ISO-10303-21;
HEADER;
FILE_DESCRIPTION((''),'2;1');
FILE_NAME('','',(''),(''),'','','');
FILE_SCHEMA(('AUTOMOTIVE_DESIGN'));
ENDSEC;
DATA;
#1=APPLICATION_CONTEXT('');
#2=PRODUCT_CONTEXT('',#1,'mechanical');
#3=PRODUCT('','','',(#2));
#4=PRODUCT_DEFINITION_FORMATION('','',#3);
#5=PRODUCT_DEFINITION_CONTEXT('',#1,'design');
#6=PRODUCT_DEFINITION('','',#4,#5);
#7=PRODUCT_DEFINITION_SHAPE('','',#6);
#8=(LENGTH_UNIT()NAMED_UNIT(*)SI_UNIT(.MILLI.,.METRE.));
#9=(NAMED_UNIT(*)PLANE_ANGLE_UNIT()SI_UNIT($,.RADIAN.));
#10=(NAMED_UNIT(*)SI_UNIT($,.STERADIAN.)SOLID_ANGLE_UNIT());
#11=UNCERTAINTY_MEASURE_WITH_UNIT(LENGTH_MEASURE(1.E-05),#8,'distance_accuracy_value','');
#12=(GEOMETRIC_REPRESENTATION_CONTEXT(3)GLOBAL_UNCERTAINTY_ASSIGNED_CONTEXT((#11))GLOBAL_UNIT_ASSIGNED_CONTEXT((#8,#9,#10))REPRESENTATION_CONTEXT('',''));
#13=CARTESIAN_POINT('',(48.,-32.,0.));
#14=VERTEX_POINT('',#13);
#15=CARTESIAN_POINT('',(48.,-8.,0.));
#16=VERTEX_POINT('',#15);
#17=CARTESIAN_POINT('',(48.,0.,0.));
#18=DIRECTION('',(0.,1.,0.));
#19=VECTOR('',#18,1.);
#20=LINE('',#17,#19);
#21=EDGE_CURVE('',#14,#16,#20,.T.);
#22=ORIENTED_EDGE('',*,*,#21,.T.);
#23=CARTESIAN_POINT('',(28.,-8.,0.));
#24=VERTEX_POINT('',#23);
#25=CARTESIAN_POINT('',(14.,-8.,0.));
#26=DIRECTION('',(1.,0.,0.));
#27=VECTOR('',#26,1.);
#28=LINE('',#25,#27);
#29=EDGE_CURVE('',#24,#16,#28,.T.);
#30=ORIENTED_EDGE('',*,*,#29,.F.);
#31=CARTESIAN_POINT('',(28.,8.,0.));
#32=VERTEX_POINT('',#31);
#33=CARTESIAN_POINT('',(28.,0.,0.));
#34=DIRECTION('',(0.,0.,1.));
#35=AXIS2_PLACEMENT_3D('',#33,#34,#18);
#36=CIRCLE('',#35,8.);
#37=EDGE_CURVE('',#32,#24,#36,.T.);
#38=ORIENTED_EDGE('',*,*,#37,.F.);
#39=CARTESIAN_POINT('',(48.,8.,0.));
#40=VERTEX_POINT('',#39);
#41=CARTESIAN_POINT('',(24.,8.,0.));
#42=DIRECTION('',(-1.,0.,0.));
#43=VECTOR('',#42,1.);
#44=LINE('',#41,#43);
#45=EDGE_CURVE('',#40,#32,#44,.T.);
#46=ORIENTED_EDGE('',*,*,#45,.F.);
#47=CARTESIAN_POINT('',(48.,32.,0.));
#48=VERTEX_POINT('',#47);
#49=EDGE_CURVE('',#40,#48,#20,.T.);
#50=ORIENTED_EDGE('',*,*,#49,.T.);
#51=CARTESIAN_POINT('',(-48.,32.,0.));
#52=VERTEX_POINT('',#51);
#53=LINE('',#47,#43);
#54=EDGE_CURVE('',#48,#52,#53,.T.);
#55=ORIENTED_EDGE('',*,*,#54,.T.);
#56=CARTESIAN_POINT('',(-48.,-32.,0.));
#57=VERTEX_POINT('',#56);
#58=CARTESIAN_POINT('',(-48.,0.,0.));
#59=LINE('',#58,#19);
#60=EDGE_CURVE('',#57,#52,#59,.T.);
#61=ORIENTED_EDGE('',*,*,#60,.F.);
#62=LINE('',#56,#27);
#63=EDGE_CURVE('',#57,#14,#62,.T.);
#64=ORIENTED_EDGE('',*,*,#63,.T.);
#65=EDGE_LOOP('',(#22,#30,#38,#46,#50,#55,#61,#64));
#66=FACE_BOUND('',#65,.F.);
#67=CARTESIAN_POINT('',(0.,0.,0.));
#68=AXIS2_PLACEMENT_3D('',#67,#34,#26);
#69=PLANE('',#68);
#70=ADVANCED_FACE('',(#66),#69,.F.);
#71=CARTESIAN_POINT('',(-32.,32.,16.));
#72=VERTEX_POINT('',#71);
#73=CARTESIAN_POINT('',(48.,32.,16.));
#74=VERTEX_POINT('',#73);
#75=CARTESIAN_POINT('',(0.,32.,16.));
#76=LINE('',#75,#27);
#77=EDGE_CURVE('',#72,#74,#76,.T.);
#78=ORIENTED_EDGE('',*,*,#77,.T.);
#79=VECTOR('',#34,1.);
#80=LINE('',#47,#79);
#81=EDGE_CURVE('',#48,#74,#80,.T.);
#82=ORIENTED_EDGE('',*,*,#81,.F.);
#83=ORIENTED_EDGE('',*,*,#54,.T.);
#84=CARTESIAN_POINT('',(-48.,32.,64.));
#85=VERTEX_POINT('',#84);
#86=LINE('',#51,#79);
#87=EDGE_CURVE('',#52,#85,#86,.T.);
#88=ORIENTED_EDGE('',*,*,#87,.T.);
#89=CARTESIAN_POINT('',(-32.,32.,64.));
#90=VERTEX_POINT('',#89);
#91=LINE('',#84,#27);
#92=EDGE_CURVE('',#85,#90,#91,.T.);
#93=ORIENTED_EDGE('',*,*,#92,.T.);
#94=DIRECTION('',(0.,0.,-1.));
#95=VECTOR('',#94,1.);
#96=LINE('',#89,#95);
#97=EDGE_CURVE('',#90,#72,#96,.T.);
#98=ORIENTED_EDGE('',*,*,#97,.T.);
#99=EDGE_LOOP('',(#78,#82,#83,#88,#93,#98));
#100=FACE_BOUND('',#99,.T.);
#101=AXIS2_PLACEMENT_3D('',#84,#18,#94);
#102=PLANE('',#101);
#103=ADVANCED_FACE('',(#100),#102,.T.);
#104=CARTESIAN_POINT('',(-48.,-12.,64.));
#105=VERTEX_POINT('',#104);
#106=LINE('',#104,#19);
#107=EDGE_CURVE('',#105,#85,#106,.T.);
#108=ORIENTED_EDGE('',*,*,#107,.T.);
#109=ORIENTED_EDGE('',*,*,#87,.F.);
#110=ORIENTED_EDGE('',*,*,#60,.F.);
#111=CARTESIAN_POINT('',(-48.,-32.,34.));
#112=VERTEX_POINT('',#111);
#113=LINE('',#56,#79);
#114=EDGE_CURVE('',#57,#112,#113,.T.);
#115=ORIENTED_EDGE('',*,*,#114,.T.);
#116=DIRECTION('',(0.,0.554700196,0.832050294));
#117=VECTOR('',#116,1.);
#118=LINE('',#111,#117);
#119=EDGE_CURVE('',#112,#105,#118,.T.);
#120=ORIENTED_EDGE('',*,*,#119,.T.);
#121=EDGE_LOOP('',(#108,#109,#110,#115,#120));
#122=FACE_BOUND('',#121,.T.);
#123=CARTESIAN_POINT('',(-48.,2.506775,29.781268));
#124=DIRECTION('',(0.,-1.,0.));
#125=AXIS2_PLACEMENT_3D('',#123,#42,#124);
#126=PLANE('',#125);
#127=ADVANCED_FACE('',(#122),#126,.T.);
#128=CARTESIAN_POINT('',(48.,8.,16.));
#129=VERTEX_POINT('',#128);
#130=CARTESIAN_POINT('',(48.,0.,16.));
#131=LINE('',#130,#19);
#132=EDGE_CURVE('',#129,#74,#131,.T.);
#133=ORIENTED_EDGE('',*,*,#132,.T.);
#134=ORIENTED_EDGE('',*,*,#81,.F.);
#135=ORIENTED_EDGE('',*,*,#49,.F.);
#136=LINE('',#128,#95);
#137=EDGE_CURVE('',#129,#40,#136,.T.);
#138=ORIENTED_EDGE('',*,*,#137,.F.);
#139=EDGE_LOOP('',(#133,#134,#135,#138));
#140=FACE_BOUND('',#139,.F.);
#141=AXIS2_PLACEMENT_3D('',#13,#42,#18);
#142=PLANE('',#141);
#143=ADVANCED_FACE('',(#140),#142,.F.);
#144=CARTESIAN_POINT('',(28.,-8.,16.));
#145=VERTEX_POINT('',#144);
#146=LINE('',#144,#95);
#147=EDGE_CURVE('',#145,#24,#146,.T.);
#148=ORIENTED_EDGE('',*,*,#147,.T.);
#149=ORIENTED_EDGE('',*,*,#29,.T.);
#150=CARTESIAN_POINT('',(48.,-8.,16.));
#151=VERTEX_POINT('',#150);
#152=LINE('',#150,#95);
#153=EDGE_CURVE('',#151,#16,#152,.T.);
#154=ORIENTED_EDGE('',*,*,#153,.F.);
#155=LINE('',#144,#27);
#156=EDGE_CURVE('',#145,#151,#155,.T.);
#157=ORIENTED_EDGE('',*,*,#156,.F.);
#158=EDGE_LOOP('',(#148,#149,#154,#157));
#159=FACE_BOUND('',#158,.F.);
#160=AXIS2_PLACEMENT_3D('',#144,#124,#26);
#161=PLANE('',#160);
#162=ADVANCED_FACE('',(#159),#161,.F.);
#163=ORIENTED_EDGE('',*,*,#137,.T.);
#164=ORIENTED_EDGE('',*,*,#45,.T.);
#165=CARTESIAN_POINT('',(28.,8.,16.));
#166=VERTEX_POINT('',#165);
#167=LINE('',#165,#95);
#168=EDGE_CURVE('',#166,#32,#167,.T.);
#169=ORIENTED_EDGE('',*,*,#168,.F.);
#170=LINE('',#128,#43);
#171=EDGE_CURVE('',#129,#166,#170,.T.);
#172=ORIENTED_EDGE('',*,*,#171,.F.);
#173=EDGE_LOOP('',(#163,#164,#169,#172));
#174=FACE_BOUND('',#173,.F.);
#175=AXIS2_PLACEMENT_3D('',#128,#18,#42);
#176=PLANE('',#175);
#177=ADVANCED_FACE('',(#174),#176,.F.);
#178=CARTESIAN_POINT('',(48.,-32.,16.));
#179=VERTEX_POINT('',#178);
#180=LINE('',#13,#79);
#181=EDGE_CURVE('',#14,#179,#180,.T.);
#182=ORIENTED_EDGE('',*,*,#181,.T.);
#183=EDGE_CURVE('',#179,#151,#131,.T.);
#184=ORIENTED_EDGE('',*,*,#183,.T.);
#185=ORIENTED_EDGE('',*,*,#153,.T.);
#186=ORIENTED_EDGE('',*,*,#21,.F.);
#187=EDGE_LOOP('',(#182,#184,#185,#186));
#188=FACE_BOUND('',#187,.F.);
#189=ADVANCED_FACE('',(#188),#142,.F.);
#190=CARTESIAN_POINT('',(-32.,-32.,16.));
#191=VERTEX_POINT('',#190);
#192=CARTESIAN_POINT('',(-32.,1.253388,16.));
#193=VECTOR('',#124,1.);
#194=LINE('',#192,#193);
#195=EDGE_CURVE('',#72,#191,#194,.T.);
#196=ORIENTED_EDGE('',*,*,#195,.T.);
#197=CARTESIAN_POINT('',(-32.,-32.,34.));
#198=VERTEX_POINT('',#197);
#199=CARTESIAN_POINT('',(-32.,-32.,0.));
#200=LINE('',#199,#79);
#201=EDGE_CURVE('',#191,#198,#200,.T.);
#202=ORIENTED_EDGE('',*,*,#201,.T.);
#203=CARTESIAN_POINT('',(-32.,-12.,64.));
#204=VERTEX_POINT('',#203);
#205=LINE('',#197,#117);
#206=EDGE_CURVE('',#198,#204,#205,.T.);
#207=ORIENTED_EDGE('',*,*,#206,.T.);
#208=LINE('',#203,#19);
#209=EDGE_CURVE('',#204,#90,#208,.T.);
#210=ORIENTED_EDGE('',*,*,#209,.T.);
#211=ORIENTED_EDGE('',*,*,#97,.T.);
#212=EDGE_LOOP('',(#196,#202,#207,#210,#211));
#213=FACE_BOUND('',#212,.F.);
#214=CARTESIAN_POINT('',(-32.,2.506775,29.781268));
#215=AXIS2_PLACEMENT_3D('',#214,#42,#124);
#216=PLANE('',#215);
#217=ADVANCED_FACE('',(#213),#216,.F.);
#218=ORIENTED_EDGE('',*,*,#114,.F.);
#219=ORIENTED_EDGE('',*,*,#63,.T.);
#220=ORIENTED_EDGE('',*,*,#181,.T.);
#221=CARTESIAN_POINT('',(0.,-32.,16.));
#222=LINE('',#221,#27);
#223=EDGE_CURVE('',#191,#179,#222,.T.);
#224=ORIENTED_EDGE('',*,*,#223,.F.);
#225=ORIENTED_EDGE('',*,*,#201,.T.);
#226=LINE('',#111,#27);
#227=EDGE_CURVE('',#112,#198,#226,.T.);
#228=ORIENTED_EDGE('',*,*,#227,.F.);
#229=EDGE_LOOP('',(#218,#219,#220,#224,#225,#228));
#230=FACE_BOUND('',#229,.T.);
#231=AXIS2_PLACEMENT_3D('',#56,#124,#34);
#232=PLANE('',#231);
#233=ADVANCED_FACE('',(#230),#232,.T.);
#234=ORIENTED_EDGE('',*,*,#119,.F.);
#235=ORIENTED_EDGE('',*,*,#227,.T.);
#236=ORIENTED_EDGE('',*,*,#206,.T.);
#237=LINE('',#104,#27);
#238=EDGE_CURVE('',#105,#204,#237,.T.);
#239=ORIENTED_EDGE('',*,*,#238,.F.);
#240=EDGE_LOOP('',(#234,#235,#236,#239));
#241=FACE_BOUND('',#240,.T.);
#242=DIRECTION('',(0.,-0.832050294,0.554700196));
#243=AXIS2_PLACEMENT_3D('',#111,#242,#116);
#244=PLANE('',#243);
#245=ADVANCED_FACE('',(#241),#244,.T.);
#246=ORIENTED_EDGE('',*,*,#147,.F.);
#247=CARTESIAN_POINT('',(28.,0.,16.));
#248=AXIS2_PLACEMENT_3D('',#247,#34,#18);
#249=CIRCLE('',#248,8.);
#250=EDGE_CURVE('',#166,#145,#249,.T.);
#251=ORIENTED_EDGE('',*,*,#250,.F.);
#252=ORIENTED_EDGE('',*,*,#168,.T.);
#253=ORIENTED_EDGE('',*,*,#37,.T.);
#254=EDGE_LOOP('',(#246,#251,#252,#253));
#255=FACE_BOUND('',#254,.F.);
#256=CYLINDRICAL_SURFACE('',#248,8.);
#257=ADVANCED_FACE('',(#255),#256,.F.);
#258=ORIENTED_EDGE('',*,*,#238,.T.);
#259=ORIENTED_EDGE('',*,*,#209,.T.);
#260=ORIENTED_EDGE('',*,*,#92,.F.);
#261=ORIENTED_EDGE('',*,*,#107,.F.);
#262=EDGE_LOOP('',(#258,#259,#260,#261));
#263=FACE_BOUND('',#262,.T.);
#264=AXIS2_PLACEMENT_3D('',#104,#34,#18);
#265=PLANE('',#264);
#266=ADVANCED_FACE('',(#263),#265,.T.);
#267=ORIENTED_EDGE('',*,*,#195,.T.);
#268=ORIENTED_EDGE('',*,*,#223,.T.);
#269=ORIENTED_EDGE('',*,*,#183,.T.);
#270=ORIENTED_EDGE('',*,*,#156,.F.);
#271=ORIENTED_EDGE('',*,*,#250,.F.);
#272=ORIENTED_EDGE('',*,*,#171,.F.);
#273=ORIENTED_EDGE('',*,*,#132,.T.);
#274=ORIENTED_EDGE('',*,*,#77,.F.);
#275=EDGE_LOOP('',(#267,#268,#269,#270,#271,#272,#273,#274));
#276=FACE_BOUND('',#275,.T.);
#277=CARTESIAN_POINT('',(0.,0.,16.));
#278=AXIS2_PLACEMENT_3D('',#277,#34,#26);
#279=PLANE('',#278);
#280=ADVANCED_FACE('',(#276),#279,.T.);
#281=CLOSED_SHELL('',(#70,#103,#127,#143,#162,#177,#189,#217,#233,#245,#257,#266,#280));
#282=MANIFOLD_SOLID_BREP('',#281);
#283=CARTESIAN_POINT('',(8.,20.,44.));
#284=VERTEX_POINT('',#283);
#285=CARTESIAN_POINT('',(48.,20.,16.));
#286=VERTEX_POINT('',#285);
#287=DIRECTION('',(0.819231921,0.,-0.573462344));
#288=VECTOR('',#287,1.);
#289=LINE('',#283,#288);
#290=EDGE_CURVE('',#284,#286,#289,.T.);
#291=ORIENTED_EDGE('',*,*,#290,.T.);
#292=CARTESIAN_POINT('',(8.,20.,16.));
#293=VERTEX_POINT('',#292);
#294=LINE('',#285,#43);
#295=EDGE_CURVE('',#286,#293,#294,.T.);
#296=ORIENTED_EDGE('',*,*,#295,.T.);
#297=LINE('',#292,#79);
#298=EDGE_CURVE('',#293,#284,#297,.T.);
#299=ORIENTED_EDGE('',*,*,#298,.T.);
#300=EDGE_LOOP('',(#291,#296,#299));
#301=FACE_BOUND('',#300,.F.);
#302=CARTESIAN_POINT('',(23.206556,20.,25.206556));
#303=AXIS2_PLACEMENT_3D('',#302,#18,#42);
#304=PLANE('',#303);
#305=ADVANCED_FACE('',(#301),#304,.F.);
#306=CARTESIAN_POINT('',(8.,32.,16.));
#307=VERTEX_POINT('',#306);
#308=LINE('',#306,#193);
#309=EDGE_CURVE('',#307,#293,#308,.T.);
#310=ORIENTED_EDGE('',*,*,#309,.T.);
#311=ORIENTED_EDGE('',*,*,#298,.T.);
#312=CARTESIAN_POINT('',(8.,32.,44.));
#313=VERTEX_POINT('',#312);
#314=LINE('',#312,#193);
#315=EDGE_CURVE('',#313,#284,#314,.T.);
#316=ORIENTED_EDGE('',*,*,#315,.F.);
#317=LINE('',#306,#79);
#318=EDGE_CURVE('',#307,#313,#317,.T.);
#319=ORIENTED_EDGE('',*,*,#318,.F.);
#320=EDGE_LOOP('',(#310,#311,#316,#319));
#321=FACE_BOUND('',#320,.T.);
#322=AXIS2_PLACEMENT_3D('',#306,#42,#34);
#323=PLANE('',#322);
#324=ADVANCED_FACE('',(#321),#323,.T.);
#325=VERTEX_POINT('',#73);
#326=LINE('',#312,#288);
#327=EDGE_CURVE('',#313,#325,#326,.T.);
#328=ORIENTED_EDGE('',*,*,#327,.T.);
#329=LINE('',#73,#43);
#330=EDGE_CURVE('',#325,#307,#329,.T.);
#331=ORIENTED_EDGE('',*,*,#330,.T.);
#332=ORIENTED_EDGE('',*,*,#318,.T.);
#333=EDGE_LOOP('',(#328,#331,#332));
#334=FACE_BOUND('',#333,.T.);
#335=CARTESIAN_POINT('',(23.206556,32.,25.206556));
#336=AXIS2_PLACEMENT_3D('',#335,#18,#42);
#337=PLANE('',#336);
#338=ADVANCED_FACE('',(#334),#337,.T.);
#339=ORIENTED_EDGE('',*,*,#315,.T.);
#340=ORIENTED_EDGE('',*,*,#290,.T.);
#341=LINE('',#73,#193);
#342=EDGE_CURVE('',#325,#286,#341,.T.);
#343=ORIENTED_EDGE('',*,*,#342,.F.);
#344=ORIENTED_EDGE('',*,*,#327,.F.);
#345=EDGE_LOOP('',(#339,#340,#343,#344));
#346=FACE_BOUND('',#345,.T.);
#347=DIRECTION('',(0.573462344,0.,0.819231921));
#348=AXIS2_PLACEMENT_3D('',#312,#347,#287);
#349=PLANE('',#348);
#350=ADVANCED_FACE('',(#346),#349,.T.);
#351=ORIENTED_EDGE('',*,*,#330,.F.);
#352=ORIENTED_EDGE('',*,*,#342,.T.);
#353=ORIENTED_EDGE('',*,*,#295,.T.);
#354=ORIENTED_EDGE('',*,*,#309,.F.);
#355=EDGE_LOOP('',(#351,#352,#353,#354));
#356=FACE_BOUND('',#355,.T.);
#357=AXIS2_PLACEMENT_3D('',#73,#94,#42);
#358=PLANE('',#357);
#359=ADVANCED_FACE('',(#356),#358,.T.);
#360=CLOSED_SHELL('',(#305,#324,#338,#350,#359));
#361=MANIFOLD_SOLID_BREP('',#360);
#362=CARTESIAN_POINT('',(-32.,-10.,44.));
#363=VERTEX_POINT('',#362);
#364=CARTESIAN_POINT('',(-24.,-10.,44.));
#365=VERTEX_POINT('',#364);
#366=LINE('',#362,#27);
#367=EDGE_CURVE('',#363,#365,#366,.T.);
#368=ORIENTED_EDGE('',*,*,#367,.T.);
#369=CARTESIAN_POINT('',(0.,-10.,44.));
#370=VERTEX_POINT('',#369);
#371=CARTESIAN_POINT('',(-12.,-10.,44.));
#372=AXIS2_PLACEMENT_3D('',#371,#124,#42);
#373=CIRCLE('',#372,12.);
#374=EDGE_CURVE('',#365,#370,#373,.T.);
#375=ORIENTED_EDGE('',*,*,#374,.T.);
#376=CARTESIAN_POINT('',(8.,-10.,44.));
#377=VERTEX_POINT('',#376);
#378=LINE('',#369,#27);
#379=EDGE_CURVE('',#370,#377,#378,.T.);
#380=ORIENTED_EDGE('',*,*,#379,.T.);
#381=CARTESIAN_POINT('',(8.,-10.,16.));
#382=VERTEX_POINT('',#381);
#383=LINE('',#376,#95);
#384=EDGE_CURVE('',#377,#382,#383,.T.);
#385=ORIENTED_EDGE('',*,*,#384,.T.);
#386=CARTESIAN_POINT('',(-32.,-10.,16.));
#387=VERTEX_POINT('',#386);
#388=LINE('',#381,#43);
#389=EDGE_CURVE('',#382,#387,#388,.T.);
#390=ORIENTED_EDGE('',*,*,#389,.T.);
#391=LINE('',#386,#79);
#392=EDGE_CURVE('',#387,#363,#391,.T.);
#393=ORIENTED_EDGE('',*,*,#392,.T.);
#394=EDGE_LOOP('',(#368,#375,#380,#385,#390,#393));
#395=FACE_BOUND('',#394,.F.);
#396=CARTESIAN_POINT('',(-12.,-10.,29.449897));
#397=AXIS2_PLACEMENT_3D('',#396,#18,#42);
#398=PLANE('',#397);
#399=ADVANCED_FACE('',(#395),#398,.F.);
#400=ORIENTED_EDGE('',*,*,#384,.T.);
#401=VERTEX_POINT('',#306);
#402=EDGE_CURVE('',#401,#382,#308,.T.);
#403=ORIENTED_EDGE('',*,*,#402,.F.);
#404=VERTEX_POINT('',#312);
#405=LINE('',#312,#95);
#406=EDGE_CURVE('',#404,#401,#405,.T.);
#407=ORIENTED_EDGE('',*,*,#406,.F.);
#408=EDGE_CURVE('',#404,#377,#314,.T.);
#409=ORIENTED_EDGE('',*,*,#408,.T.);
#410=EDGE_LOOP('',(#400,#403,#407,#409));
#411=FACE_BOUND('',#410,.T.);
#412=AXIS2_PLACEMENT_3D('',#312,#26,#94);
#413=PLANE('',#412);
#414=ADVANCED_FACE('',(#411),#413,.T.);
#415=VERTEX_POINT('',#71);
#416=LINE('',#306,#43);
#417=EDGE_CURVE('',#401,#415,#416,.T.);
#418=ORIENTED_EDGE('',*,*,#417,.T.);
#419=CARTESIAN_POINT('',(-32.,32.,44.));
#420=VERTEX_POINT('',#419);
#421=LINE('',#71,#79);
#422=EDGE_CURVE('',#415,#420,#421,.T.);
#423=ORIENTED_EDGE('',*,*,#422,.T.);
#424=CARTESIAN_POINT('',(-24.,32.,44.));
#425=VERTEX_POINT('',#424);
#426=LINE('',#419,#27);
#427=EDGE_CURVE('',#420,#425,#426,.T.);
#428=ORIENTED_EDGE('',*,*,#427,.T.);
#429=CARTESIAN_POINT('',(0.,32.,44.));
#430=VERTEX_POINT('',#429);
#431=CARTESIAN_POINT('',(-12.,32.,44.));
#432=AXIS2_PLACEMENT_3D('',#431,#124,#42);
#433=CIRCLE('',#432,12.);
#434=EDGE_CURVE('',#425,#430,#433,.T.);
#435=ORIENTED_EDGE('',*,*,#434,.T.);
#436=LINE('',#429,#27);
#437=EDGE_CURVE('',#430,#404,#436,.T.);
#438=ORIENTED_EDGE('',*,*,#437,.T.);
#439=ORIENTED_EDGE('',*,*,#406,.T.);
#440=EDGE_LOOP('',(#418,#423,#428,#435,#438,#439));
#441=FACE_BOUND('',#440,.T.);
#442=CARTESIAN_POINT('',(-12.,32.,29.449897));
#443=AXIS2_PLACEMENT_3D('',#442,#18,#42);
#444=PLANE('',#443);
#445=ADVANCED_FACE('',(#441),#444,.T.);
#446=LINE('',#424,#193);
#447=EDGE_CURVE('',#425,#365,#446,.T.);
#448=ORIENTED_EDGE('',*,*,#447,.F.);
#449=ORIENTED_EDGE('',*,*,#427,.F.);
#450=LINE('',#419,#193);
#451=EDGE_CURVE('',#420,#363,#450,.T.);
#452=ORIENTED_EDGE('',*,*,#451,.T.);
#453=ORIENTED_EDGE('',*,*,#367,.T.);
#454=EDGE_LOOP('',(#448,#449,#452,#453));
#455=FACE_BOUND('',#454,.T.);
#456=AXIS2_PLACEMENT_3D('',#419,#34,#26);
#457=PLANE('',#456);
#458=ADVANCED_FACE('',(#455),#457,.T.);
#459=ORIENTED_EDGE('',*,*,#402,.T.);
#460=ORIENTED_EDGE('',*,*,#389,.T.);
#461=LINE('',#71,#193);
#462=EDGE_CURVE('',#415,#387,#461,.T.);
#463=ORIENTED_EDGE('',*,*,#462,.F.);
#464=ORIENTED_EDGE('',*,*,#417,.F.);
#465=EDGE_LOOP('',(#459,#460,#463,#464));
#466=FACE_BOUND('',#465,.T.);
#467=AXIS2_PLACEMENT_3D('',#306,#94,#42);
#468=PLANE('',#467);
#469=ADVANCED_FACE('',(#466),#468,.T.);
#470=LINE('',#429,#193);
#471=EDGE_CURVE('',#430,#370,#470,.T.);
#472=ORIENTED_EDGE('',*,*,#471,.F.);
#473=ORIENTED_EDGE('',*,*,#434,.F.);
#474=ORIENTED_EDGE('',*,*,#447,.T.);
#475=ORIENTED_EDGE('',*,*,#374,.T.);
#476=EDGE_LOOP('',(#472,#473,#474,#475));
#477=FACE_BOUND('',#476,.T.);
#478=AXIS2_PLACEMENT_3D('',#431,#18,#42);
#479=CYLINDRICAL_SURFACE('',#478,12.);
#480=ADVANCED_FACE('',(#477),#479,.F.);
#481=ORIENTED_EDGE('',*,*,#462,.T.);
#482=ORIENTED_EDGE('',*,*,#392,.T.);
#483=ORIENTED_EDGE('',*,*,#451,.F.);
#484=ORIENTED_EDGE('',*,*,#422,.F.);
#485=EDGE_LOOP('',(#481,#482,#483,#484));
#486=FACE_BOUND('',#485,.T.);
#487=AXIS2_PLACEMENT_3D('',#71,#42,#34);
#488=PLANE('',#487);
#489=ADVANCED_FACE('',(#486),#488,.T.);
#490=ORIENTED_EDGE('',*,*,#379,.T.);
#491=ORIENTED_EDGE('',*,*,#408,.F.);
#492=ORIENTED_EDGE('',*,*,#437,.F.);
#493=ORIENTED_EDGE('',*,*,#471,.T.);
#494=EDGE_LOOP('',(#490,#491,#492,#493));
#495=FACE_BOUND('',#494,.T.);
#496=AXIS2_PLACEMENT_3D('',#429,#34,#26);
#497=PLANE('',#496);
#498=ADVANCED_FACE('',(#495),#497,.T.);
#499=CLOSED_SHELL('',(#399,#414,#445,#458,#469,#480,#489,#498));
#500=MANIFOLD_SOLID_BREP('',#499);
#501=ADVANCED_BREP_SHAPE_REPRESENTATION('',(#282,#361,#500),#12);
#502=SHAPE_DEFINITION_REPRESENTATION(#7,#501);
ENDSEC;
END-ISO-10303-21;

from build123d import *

# Parameters (mm, degrees)
F0_W     = 96
F0_H     = 64
F1_DEPTH = 16
F3_DEPTH = 16
F5_DEPTH = 42
F7_DEPTH = 12
F9_DEPTH = 25


with BuildPart() as f1:
    # F0 (on Top) → F1 (new body)
    with BuildSketch(Plane.XY):
        Rectangle(F0_W, F0_H)
    extrude(amount=F1_DEPTH)

    # F2 (on face) → F3 (join)
    with BuildSketch(Plane(origin=(-48, 0, 0), x_dir=(0, -1, 0), z_dir=(-1, 0, 0))):
        Polygon((-32, 64), (-32, 0), (32, 0), (32, 34), (12, 64), align=None)
    extrude(amount=-F3_DEPTH)

    # F8 (on face) → F9 (cut)
    with BuildSketch(Plane.XY.offset(16)):
        with BuildLine():
            Line((48, 8), (28, 8))
            ThreePointArc((28, 8), (20, 0), (28, -8))
            Line((28, -8), (48, -8))
            Line((48, -8), (48, 8))
        make_face()
    extrude(amount=-F9_DEPTH, mode=Mode.SUBTRACT)


with BuildPart() as f5:
    # F4 (on face) → F5 (new body)
    with BuildSketch(Plane(origin=(0, 32, 0), x_dir=(-1, 0, 0), z_dir=(0, 1, 0))):
        with BuildLine():
            Line((-8, 16), (32, 16))
            Line((32, 16), (32, 44))
            Line((32, 44), (24, 44))
            ThreePointArc((24, 44), (12, 32), (0, 44))
            Line((0, 44), (-8, 44))
            Line((-8, 44), (-8, 16))
        make_face()
    extrude(amount=-F5_DEPTH)


with BuildPart() as f7:
    # F6 (on face) → F7 (new body)
    with BuildSketch(Plane(origin=(0, 32, 0), x_dir=(-1, 0, 0), z_dir=(0, 1, 0))):
        Polygon((-48, 16), (-8, 16), (-8, 44), align=None)
    extrude(amount=-F7_DEPTH)


solid = Compound([f1.part, f5.part, f7.part])
